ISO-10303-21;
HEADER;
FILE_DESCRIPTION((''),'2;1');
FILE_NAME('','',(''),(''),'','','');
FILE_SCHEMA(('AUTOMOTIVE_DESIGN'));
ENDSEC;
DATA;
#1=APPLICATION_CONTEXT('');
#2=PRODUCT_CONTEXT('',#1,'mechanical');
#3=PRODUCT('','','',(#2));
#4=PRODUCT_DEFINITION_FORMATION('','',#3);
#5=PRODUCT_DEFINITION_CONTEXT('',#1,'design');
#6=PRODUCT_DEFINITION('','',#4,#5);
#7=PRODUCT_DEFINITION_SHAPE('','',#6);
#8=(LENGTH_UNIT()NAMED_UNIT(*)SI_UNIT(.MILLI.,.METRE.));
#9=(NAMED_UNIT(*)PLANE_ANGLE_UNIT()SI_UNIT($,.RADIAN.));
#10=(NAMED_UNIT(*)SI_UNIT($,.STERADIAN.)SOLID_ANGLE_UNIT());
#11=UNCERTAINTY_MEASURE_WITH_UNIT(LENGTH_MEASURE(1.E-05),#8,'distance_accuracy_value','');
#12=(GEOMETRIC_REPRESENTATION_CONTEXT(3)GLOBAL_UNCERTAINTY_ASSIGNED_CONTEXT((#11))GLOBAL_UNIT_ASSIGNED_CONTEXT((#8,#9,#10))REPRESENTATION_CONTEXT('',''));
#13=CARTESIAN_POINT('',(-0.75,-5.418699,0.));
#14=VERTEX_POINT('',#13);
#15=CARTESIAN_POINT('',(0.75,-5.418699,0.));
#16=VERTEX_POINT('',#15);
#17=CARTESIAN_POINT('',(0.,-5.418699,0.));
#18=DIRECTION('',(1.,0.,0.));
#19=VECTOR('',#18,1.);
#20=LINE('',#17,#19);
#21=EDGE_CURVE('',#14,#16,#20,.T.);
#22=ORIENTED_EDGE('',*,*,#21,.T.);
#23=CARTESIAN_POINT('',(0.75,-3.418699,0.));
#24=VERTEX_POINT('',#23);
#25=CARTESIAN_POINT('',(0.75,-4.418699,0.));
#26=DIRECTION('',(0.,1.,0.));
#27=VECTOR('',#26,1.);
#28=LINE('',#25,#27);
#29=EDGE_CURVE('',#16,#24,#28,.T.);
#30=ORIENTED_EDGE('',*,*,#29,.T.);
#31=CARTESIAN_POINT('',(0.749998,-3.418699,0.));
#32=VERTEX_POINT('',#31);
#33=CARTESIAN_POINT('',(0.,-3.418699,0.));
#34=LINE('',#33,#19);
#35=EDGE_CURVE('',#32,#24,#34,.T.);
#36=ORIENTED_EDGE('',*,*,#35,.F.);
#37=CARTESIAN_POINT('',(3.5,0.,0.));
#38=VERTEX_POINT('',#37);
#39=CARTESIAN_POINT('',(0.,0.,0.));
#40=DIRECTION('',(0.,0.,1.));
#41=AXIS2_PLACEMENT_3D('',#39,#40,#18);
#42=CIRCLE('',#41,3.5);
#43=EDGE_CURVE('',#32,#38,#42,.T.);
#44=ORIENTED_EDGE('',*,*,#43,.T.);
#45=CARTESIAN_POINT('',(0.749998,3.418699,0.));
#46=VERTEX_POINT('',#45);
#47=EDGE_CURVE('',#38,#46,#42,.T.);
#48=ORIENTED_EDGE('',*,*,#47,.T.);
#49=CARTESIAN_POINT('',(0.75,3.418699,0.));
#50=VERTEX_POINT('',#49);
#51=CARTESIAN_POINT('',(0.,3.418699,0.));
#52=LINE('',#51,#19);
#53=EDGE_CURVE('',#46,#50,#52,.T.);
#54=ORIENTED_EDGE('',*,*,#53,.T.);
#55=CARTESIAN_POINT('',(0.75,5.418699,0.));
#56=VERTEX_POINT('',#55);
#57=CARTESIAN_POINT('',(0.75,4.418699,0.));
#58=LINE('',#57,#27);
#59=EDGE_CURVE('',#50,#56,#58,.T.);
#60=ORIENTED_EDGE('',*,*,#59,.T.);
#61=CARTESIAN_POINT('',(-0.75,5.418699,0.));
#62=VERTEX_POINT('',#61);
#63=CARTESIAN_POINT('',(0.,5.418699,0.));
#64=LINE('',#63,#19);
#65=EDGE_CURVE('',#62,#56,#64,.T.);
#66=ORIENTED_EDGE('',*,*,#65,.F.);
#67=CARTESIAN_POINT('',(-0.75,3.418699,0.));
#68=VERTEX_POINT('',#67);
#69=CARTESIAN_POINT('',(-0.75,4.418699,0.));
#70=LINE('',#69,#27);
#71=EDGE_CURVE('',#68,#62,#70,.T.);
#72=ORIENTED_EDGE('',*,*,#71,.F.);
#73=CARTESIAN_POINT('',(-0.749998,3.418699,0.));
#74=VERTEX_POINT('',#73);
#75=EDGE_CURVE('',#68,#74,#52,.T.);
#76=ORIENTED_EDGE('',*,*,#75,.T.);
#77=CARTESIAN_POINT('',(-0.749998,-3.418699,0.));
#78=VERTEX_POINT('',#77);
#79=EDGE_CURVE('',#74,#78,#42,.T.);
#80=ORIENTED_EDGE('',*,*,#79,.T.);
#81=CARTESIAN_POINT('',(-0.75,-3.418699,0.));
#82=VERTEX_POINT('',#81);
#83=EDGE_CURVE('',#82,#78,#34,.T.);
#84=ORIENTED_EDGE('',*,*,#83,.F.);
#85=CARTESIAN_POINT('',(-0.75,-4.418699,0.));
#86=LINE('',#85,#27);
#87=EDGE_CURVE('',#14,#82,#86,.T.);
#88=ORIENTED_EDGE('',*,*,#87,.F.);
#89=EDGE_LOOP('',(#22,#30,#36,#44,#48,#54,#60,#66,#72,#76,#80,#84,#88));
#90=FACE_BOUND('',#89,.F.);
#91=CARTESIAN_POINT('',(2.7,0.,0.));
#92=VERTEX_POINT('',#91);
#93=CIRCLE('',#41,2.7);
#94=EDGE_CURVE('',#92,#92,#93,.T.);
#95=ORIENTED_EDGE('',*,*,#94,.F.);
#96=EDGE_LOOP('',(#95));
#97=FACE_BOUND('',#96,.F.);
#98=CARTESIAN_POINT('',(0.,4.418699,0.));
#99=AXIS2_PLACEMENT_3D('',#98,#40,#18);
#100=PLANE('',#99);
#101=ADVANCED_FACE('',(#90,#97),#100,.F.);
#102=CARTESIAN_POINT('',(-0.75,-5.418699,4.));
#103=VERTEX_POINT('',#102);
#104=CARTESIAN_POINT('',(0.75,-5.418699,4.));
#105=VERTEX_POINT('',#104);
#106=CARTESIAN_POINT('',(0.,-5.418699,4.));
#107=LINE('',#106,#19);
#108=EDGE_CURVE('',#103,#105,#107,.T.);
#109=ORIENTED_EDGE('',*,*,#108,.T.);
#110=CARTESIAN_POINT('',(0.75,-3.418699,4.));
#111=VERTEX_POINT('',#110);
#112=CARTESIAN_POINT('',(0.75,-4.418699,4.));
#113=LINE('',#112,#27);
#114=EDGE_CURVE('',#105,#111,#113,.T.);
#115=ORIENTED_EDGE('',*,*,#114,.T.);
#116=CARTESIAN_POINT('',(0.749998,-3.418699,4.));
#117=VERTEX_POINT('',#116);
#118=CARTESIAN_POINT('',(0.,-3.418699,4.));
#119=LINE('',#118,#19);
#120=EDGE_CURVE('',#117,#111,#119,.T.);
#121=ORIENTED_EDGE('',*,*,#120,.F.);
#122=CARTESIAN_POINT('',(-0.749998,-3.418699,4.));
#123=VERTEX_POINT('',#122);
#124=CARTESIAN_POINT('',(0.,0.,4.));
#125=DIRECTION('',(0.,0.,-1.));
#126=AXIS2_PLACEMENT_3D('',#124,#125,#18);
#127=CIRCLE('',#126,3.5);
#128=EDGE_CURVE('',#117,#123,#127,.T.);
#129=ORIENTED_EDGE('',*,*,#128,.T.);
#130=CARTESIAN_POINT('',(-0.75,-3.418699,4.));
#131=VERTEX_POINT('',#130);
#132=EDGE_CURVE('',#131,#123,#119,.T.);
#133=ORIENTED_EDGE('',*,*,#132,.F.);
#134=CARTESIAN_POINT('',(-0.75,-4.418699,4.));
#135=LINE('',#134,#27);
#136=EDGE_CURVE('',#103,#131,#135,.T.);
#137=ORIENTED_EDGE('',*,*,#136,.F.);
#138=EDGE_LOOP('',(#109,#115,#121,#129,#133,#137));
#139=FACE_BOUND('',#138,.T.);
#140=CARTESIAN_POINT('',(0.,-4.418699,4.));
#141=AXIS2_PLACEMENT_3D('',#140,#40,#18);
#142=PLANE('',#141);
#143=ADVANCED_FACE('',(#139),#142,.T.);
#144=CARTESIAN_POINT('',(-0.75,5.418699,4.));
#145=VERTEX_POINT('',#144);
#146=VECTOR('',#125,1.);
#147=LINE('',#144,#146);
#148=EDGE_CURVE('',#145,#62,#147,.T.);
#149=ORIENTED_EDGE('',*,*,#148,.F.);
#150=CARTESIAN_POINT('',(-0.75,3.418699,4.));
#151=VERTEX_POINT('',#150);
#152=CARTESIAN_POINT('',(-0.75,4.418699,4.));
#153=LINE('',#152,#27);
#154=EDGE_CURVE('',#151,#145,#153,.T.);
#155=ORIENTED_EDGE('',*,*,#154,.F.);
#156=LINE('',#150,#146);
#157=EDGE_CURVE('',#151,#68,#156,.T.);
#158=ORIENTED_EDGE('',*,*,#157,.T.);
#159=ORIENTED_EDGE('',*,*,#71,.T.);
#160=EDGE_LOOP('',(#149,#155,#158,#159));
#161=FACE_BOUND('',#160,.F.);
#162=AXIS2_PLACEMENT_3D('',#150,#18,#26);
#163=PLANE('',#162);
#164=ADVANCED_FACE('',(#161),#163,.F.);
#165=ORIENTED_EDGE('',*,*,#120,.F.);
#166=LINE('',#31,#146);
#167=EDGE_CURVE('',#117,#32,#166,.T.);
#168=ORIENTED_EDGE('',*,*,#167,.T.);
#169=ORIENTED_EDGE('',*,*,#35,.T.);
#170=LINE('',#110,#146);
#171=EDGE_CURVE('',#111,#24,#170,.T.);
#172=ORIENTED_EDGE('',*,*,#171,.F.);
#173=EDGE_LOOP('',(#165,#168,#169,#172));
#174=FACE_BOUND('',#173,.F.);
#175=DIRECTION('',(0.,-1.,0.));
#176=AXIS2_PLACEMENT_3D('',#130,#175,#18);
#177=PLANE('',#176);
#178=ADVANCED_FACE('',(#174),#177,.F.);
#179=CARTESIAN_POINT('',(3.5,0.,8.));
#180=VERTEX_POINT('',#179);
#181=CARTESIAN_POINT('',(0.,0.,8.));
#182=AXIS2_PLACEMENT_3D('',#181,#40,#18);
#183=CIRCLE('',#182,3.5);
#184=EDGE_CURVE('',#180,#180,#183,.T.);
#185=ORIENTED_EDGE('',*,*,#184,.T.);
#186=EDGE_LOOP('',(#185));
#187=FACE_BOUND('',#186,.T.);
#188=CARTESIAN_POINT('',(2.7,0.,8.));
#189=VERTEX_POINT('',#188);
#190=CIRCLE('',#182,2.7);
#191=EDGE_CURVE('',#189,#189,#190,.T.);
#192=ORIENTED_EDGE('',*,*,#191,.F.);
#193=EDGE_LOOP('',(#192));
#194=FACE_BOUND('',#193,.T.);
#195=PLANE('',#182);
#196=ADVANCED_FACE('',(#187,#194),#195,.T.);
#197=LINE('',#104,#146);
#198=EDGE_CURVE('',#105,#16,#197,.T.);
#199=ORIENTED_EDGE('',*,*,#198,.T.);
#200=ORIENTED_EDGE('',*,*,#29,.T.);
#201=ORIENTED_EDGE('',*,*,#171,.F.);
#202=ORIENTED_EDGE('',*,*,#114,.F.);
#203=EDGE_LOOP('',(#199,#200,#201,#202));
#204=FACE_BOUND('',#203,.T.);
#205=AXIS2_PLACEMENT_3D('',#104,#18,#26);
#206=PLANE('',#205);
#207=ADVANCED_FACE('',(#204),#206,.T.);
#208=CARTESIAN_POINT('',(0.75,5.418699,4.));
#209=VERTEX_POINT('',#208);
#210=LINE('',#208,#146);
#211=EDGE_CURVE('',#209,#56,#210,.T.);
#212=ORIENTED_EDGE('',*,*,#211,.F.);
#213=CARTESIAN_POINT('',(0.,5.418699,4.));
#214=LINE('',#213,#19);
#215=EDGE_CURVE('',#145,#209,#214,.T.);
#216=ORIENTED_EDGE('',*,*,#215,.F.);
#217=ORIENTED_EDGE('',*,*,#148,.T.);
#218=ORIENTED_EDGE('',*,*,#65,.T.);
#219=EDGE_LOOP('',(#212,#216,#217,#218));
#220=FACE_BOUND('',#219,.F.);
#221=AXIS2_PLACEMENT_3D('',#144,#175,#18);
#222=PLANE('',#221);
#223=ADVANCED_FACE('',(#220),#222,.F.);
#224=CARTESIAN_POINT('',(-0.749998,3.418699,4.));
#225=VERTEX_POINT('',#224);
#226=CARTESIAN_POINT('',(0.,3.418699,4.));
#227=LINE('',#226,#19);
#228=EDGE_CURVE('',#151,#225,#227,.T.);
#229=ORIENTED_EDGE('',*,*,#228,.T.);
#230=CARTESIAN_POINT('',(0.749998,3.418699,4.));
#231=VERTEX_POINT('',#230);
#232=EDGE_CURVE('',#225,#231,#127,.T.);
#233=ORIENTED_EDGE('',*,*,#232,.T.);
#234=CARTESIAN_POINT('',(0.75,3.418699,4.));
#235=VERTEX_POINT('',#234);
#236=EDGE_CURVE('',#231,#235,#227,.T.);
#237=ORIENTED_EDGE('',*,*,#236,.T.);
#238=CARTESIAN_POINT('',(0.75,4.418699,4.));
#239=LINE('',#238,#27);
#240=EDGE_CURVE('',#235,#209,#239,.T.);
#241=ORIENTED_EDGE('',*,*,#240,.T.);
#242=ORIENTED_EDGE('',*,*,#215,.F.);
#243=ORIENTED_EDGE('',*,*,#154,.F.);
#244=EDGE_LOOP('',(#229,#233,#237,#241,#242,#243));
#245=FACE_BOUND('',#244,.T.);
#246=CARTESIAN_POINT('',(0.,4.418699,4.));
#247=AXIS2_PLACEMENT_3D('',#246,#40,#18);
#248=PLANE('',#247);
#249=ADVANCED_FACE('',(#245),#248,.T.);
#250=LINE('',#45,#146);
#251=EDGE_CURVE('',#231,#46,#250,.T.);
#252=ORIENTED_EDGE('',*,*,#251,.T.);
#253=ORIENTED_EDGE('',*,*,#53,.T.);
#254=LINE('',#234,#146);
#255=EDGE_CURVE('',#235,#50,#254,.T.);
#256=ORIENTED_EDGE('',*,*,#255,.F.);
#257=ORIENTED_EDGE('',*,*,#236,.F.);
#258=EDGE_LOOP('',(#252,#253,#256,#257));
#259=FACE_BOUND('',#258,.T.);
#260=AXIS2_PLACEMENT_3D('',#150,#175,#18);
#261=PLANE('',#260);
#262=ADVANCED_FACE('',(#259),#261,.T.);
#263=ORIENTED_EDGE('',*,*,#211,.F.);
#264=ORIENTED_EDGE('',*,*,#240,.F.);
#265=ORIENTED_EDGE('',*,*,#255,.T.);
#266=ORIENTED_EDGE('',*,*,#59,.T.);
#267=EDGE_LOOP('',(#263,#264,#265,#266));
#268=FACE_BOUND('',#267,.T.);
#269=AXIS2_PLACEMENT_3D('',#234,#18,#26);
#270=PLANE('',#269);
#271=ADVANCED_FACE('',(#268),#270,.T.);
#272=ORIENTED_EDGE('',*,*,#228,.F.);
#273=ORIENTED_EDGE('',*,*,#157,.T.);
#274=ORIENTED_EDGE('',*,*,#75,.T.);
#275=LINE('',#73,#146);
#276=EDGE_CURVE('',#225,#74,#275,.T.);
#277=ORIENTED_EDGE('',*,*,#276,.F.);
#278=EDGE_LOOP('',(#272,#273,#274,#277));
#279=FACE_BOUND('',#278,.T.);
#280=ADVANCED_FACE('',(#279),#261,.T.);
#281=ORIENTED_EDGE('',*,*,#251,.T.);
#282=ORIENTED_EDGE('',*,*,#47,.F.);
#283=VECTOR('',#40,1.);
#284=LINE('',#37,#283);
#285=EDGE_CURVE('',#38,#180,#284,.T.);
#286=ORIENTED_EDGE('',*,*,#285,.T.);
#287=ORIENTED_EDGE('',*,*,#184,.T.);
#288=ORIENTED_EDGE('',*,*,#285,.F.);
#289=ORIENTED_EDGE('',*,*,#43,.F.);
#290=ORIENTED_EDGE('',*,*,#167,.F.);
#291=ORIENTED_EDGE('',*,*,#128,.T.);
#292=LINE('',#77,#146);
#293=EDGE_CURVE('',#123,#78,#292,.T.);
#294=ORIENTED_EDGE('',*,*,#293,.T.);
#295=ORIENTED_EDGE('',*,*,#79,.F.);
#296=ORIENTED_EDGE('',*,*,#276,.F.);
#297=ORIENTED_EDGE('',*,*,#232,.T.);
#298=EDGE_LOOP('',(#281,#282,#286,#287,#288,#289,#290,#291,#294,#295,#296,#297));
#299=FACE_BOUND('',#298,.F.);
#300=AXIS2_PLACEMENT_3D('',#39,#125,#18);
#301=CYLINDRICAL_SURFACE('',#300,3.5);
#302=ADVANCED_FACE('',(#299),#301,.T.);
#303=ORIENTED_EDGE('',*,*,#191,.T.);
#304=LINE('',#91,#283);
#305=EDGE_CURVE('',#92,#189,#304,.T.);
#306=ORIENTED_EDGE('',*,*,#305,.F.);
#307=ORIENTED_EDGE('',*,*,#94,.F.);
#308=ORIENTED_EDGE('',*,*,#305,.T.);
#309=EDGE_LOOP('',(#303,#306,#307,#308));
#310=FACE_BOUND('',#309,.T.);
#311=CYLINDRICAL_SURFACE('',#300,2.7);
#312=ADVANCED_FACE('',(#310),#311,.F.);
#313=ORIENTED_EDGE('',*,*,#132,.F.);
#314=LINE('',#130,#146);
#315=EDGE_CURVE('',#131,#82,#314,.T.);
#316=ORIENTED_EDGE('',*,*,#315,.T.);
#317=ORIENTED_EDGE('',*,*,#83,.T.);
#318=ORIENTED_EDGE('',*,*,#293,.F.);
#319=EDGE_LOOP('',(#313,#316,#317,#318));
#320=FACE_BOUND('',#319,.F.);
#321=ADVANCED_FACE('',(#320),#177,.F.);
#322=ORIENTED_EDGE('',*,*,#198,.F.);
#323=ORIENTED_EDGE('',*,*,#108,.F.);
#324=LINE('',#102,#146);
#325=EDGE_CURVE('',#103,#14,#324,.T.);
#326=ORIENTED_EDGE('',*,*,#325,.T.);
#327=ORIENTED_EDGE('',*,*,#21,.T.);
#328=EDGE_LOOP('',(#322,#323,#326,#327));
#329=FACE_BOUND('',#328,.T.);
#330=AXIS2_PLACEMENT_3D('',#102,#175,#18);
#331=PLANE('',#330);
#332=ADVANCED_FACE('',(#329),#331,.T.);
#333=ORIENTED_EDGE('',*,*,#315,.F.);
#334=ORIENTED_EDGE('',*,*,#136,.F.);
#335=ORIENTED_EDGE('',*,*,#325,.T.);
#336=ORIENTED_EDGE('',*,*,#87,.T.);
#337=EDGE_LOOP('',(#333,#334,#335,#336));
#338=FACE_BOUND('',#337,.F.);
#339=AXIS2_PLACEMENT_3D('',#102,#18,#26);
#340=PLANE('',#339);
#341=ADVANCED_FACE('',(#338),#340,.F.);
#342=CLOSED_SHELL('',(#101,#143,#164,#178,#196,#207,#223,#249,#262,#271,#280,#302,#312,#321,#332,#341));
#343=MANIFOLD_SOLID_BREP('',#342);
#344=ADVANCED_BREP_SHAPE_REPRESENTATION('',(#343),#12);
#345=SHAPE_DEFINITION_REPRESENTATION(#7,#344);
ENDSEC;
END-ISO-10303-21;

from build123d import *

# Parameters (mm, degrees)
F0_R     = 3.5
F0_R_2   = 2.7
F1_DEPTH = 8
F3_W     = 1.5
F3_H     = 2
F4_DEPTH = 4


with BuildPart() as f1:
    # F0 (on Top) → F1 (new body)
    with BuildSketch(Plane.XY):
        Circle(F0_R)
        Circle(F0_R_2, mode=Mode.SUBTRACT)
    extrude(amount=F1_DEPTH)

    # F3 (on offset) → F4 (join, through all)
    with BuildSketch(Plane.XY.offset(4)):
        with Locations((0, 4.418699)):
            Rectangle(F3_W, F3_H)
        with Locations((0, -4.418699)):
            Rectangle(F3_W, F3_H)
    extrude(amount=-F4_DEPTH)


solid = f1.part
